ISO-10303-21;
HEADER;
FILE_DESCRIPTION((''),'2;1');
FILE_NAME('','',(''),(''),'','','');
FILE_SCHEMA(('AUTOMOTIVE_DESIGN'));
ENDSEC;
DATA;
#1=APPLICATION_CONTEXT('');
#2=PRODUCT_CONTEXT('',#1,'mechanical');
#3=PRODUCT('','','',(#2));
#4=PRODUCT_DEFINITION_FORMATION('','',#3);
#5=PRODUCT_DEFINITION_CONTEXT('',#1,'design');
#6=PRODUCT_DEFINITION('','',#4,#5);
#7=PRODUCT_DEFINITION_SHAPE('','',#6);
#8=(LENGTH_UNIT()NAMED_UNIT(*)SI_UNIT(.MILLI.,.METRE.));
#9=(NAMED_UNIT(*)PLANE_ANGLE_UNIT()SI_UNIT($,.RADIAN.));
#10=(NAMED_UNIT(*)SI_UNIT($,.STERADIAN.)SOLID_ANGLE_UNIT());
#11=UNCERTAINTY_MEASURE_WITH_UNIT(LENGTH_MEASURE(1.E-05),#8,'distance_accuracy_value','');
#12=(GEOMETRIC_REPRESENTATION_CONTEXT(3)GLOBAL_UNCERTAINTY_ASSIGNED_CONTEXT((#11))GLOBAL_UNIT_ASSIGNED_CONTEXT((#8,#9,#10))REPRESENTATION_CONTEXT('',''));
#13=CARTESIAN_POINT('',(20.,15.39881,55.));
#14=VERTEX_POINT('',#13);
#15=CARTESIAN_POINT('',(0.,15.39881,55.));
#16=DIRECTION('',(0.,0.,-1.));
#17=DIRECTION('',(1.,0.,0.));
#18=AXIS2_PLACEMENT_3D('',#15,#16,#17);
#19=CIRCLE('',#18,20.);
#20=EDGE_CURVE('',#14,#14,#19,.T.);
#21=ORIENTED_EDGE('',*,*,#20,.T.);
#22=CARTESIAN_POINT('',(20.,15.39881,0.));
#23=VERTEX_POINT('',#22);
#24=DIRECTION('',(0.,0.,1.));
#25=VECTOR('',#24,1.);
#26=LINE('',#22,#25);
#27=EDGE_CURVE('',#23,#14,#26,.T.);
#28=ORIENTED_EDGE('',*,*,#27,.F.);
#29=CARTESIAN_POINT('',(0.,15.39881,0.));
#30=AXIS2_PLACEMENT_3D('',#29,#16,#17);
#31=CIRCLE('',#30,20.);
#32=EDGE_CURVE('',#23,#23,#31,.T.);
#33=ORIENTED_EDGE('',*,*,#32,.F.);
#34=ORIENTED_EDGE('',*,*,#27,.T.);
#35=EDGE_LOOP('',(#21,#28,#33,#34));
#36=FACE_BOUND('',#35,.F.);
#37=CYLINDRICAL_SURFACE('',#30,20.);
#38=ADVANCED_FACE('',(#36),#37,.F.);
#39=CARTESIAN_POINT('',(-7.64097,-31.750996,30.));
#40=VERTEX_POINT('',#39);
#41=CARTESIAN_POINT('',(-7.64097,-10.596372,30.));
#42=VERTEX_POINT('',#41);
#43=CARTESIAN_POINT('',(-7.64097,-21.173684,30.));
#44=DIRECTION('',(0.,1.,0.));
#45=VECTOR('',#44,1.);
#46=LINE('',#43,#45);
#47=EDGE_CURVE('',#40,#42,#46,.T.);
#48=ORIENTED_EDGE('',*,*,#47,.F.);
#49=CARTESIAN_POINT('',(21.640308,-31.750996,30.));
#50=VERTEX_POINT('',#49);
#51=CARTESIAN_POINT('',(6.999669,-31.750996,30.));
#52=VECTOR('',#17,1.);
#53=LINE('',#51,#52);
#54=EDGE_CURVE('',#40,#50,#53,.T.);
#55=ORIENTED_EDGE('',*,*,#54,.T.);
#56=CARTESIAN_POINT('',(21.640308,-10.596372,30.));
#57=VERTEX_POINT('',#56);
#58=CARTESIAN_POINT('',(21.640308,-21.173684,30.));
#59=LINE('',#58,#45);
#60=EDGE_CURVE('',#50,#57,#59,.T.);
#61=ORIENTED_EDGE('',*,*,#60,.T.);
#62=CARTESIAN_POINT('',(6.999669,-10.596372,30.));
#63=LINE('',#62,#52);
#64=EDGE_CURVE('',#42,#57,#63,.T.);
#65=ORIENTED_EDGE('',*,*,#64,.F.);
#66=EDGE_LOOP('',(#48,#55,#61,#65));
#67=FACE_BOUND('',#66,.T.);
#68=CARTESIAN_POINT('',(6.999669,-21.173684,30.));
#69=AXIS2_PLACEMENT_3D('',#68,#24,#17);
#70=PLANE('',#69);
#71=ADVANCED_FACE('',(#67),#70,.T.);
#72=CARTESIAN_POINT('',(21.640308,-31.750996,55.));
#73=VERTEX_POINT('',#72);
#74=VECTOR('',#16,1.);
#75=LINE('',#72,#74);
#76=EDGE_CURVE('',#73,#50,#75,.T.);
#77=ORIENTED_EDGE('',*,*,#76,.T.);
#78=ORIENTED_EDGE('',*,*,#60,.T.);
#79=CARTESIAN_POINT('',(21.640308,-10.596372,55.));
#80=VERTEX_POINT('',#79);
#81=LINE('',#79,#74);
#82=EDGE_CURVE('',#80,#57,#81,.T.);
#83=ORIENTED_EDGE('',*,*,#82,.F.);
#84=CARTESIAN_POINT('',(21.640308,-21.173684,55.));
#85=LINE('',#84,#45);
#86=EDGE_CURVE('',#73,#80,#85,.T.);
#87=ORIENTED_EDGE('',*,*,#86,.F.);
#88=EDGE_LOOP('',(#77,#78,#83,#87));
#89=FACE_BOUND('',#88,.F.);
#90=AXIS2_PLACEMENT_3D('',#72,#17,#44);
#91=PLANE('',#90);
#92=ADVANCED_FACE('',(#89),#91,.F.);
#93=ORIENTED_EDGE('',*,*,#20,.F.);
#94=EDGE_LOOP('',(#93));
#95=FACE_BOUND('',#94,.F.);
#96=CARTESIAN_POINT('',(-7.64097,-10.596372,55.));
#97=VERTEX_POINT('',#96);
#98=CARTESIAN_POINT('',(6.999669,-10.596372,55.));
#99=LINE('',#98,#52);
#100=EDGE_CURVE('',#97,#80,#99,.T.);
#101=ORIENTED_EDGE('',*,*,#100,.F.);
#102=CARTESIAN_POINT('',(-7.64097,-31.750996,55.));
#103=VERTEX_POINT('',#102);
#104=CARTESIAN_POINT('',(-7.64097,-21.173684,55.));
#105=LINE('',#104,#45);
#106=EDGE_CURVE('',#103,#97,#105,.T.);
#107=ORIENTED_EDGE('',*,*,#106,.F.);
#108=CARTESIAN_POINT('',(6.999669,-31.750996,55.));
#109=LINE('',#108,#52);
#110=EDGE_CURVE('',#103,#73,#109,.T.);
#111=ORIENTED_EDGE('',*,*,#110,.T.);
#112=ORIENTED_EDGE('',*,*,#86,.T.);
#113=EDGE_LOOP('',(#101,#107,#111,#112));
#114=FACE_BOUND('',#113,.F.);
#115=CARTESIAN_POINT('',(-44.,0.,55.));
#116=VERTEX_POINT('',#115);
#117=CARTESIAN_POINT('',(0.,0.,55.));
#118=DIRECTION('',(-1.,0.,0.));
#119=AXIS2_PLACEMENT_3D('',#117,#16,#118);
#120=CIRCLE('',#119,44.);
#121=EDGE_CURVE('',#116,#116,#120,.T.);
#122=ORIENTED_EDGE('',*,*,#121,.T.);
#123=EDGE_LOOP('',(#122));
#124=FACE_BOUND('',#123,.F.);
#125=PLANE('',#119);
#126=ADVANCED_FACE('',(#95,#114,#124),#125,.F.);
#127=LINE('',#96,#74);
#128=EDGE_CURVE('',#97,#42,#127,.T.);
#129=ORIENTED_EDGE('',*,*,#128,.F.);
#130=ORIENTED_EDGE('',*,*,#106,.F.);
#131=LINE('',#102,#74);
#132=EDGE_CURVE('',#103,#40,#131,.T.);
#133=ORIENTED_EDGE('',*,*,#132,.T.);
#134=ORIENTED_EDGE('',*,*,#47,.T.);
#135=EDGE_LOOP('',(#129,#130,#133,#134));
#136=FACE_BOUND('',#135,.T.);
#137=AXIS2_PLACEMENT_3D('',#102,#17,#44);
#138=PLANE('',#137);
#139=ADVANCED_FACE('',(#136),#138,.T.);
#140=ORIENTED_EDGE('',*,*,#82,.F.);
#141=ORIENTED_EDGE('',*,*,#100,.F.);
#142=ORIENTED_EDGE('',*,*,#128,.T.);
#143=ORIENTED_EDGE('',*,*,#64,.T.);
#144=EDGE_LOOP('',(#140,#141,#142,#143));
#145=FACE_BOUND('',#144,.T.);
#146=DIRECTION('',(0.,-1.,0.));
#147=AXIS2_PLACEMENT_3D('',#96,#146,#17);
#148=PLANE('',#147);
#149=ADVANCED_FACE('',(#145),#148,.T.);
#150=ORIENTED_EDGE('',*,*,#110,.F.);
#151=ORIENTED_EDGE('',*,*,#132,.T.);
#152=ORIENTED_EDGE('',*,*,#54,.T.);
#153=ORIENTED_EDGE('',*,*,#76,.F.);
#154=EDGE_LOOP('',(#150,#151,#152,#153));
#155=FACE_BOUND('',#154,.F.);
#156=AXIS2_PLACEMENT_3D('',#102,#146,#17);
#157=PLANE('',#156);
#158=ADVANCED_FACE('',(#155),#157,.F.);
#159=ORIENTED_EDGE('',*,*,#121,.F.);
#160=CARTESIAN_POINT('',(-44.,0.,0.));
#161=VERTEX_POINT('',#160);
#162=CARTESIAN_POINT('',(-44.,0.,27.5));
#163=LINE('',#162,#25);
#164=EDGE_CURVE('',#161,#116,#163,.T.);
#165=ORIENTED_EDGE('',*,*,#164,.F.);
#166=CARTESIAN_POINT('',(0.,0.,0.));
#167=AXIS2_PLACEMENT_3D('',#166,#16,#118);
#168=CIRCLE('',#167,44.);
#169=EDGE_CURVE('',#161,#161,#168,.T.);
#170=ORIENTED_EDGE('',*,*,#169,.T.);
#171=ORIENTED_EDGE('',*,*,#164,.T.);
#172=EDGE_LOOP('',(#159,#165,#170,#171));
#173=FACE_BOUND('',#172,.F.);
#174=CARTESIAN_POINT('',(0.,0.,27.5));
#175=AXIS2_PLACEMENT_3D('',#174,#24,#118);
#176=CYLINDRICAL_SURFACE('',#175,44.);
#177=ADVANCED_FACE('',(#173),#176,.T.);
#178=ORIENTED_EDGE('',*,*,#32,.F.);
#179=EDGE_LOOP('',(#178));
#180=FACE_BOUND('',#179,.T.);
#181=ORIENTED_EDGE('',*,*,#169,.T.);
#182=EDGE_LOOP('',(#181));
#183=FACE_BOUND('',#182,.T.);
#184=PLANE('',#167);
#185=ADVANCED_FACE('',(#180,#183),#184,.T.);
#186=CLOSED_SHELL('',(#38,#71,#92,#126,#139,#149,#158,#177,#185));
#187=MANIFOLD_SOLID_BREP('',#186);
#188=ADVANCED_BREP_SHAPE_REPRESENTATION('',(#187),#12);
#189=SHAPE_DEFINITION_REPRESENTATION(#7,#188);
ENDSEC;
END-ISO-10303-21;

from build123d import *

# Parameters (mm, degrees)
F0_W     = 44
F0_H     = 55
F2_R     = 20
F3_DEPTH = 133.830428
F4_W     = 29.281278
F4_H     = 21.154624
F5_DEPTH = 25


with BuildPart() as f1:
    # F0 (on Front) → F1 (revolve)
    with BuildSketch(Plane.XZ):
        with Locations((-22, 27.5)):
            Rectangle(F0_W, F0_H)
    revolve(axis=Axis((0, 0, 27.5), (0, 0, -1)))

    # F2 (on face) → F3 (cut)
    with BuildSketch(Plane(origin=(0, 0, 0), x_dir=(1, 0, 0), z_dir=(0, 0, -1))):
        with Locations((0, -15.39881)):
            Circle(F2_R)
    extrude(amount=-F3_DEPTH, mode=Mode.SUBTRACT)

    # F4 (on face) → F5 (cut)
    with BuildSketch(Plane.XY.offset(55)):
        with Locations((6.999669, -21.173684)):
            Rectangle(F4_W, F4_H)
    extrude(amount=-F5_DEPTH, mode=Mode.SUBTRACT)


solid = f1.part
